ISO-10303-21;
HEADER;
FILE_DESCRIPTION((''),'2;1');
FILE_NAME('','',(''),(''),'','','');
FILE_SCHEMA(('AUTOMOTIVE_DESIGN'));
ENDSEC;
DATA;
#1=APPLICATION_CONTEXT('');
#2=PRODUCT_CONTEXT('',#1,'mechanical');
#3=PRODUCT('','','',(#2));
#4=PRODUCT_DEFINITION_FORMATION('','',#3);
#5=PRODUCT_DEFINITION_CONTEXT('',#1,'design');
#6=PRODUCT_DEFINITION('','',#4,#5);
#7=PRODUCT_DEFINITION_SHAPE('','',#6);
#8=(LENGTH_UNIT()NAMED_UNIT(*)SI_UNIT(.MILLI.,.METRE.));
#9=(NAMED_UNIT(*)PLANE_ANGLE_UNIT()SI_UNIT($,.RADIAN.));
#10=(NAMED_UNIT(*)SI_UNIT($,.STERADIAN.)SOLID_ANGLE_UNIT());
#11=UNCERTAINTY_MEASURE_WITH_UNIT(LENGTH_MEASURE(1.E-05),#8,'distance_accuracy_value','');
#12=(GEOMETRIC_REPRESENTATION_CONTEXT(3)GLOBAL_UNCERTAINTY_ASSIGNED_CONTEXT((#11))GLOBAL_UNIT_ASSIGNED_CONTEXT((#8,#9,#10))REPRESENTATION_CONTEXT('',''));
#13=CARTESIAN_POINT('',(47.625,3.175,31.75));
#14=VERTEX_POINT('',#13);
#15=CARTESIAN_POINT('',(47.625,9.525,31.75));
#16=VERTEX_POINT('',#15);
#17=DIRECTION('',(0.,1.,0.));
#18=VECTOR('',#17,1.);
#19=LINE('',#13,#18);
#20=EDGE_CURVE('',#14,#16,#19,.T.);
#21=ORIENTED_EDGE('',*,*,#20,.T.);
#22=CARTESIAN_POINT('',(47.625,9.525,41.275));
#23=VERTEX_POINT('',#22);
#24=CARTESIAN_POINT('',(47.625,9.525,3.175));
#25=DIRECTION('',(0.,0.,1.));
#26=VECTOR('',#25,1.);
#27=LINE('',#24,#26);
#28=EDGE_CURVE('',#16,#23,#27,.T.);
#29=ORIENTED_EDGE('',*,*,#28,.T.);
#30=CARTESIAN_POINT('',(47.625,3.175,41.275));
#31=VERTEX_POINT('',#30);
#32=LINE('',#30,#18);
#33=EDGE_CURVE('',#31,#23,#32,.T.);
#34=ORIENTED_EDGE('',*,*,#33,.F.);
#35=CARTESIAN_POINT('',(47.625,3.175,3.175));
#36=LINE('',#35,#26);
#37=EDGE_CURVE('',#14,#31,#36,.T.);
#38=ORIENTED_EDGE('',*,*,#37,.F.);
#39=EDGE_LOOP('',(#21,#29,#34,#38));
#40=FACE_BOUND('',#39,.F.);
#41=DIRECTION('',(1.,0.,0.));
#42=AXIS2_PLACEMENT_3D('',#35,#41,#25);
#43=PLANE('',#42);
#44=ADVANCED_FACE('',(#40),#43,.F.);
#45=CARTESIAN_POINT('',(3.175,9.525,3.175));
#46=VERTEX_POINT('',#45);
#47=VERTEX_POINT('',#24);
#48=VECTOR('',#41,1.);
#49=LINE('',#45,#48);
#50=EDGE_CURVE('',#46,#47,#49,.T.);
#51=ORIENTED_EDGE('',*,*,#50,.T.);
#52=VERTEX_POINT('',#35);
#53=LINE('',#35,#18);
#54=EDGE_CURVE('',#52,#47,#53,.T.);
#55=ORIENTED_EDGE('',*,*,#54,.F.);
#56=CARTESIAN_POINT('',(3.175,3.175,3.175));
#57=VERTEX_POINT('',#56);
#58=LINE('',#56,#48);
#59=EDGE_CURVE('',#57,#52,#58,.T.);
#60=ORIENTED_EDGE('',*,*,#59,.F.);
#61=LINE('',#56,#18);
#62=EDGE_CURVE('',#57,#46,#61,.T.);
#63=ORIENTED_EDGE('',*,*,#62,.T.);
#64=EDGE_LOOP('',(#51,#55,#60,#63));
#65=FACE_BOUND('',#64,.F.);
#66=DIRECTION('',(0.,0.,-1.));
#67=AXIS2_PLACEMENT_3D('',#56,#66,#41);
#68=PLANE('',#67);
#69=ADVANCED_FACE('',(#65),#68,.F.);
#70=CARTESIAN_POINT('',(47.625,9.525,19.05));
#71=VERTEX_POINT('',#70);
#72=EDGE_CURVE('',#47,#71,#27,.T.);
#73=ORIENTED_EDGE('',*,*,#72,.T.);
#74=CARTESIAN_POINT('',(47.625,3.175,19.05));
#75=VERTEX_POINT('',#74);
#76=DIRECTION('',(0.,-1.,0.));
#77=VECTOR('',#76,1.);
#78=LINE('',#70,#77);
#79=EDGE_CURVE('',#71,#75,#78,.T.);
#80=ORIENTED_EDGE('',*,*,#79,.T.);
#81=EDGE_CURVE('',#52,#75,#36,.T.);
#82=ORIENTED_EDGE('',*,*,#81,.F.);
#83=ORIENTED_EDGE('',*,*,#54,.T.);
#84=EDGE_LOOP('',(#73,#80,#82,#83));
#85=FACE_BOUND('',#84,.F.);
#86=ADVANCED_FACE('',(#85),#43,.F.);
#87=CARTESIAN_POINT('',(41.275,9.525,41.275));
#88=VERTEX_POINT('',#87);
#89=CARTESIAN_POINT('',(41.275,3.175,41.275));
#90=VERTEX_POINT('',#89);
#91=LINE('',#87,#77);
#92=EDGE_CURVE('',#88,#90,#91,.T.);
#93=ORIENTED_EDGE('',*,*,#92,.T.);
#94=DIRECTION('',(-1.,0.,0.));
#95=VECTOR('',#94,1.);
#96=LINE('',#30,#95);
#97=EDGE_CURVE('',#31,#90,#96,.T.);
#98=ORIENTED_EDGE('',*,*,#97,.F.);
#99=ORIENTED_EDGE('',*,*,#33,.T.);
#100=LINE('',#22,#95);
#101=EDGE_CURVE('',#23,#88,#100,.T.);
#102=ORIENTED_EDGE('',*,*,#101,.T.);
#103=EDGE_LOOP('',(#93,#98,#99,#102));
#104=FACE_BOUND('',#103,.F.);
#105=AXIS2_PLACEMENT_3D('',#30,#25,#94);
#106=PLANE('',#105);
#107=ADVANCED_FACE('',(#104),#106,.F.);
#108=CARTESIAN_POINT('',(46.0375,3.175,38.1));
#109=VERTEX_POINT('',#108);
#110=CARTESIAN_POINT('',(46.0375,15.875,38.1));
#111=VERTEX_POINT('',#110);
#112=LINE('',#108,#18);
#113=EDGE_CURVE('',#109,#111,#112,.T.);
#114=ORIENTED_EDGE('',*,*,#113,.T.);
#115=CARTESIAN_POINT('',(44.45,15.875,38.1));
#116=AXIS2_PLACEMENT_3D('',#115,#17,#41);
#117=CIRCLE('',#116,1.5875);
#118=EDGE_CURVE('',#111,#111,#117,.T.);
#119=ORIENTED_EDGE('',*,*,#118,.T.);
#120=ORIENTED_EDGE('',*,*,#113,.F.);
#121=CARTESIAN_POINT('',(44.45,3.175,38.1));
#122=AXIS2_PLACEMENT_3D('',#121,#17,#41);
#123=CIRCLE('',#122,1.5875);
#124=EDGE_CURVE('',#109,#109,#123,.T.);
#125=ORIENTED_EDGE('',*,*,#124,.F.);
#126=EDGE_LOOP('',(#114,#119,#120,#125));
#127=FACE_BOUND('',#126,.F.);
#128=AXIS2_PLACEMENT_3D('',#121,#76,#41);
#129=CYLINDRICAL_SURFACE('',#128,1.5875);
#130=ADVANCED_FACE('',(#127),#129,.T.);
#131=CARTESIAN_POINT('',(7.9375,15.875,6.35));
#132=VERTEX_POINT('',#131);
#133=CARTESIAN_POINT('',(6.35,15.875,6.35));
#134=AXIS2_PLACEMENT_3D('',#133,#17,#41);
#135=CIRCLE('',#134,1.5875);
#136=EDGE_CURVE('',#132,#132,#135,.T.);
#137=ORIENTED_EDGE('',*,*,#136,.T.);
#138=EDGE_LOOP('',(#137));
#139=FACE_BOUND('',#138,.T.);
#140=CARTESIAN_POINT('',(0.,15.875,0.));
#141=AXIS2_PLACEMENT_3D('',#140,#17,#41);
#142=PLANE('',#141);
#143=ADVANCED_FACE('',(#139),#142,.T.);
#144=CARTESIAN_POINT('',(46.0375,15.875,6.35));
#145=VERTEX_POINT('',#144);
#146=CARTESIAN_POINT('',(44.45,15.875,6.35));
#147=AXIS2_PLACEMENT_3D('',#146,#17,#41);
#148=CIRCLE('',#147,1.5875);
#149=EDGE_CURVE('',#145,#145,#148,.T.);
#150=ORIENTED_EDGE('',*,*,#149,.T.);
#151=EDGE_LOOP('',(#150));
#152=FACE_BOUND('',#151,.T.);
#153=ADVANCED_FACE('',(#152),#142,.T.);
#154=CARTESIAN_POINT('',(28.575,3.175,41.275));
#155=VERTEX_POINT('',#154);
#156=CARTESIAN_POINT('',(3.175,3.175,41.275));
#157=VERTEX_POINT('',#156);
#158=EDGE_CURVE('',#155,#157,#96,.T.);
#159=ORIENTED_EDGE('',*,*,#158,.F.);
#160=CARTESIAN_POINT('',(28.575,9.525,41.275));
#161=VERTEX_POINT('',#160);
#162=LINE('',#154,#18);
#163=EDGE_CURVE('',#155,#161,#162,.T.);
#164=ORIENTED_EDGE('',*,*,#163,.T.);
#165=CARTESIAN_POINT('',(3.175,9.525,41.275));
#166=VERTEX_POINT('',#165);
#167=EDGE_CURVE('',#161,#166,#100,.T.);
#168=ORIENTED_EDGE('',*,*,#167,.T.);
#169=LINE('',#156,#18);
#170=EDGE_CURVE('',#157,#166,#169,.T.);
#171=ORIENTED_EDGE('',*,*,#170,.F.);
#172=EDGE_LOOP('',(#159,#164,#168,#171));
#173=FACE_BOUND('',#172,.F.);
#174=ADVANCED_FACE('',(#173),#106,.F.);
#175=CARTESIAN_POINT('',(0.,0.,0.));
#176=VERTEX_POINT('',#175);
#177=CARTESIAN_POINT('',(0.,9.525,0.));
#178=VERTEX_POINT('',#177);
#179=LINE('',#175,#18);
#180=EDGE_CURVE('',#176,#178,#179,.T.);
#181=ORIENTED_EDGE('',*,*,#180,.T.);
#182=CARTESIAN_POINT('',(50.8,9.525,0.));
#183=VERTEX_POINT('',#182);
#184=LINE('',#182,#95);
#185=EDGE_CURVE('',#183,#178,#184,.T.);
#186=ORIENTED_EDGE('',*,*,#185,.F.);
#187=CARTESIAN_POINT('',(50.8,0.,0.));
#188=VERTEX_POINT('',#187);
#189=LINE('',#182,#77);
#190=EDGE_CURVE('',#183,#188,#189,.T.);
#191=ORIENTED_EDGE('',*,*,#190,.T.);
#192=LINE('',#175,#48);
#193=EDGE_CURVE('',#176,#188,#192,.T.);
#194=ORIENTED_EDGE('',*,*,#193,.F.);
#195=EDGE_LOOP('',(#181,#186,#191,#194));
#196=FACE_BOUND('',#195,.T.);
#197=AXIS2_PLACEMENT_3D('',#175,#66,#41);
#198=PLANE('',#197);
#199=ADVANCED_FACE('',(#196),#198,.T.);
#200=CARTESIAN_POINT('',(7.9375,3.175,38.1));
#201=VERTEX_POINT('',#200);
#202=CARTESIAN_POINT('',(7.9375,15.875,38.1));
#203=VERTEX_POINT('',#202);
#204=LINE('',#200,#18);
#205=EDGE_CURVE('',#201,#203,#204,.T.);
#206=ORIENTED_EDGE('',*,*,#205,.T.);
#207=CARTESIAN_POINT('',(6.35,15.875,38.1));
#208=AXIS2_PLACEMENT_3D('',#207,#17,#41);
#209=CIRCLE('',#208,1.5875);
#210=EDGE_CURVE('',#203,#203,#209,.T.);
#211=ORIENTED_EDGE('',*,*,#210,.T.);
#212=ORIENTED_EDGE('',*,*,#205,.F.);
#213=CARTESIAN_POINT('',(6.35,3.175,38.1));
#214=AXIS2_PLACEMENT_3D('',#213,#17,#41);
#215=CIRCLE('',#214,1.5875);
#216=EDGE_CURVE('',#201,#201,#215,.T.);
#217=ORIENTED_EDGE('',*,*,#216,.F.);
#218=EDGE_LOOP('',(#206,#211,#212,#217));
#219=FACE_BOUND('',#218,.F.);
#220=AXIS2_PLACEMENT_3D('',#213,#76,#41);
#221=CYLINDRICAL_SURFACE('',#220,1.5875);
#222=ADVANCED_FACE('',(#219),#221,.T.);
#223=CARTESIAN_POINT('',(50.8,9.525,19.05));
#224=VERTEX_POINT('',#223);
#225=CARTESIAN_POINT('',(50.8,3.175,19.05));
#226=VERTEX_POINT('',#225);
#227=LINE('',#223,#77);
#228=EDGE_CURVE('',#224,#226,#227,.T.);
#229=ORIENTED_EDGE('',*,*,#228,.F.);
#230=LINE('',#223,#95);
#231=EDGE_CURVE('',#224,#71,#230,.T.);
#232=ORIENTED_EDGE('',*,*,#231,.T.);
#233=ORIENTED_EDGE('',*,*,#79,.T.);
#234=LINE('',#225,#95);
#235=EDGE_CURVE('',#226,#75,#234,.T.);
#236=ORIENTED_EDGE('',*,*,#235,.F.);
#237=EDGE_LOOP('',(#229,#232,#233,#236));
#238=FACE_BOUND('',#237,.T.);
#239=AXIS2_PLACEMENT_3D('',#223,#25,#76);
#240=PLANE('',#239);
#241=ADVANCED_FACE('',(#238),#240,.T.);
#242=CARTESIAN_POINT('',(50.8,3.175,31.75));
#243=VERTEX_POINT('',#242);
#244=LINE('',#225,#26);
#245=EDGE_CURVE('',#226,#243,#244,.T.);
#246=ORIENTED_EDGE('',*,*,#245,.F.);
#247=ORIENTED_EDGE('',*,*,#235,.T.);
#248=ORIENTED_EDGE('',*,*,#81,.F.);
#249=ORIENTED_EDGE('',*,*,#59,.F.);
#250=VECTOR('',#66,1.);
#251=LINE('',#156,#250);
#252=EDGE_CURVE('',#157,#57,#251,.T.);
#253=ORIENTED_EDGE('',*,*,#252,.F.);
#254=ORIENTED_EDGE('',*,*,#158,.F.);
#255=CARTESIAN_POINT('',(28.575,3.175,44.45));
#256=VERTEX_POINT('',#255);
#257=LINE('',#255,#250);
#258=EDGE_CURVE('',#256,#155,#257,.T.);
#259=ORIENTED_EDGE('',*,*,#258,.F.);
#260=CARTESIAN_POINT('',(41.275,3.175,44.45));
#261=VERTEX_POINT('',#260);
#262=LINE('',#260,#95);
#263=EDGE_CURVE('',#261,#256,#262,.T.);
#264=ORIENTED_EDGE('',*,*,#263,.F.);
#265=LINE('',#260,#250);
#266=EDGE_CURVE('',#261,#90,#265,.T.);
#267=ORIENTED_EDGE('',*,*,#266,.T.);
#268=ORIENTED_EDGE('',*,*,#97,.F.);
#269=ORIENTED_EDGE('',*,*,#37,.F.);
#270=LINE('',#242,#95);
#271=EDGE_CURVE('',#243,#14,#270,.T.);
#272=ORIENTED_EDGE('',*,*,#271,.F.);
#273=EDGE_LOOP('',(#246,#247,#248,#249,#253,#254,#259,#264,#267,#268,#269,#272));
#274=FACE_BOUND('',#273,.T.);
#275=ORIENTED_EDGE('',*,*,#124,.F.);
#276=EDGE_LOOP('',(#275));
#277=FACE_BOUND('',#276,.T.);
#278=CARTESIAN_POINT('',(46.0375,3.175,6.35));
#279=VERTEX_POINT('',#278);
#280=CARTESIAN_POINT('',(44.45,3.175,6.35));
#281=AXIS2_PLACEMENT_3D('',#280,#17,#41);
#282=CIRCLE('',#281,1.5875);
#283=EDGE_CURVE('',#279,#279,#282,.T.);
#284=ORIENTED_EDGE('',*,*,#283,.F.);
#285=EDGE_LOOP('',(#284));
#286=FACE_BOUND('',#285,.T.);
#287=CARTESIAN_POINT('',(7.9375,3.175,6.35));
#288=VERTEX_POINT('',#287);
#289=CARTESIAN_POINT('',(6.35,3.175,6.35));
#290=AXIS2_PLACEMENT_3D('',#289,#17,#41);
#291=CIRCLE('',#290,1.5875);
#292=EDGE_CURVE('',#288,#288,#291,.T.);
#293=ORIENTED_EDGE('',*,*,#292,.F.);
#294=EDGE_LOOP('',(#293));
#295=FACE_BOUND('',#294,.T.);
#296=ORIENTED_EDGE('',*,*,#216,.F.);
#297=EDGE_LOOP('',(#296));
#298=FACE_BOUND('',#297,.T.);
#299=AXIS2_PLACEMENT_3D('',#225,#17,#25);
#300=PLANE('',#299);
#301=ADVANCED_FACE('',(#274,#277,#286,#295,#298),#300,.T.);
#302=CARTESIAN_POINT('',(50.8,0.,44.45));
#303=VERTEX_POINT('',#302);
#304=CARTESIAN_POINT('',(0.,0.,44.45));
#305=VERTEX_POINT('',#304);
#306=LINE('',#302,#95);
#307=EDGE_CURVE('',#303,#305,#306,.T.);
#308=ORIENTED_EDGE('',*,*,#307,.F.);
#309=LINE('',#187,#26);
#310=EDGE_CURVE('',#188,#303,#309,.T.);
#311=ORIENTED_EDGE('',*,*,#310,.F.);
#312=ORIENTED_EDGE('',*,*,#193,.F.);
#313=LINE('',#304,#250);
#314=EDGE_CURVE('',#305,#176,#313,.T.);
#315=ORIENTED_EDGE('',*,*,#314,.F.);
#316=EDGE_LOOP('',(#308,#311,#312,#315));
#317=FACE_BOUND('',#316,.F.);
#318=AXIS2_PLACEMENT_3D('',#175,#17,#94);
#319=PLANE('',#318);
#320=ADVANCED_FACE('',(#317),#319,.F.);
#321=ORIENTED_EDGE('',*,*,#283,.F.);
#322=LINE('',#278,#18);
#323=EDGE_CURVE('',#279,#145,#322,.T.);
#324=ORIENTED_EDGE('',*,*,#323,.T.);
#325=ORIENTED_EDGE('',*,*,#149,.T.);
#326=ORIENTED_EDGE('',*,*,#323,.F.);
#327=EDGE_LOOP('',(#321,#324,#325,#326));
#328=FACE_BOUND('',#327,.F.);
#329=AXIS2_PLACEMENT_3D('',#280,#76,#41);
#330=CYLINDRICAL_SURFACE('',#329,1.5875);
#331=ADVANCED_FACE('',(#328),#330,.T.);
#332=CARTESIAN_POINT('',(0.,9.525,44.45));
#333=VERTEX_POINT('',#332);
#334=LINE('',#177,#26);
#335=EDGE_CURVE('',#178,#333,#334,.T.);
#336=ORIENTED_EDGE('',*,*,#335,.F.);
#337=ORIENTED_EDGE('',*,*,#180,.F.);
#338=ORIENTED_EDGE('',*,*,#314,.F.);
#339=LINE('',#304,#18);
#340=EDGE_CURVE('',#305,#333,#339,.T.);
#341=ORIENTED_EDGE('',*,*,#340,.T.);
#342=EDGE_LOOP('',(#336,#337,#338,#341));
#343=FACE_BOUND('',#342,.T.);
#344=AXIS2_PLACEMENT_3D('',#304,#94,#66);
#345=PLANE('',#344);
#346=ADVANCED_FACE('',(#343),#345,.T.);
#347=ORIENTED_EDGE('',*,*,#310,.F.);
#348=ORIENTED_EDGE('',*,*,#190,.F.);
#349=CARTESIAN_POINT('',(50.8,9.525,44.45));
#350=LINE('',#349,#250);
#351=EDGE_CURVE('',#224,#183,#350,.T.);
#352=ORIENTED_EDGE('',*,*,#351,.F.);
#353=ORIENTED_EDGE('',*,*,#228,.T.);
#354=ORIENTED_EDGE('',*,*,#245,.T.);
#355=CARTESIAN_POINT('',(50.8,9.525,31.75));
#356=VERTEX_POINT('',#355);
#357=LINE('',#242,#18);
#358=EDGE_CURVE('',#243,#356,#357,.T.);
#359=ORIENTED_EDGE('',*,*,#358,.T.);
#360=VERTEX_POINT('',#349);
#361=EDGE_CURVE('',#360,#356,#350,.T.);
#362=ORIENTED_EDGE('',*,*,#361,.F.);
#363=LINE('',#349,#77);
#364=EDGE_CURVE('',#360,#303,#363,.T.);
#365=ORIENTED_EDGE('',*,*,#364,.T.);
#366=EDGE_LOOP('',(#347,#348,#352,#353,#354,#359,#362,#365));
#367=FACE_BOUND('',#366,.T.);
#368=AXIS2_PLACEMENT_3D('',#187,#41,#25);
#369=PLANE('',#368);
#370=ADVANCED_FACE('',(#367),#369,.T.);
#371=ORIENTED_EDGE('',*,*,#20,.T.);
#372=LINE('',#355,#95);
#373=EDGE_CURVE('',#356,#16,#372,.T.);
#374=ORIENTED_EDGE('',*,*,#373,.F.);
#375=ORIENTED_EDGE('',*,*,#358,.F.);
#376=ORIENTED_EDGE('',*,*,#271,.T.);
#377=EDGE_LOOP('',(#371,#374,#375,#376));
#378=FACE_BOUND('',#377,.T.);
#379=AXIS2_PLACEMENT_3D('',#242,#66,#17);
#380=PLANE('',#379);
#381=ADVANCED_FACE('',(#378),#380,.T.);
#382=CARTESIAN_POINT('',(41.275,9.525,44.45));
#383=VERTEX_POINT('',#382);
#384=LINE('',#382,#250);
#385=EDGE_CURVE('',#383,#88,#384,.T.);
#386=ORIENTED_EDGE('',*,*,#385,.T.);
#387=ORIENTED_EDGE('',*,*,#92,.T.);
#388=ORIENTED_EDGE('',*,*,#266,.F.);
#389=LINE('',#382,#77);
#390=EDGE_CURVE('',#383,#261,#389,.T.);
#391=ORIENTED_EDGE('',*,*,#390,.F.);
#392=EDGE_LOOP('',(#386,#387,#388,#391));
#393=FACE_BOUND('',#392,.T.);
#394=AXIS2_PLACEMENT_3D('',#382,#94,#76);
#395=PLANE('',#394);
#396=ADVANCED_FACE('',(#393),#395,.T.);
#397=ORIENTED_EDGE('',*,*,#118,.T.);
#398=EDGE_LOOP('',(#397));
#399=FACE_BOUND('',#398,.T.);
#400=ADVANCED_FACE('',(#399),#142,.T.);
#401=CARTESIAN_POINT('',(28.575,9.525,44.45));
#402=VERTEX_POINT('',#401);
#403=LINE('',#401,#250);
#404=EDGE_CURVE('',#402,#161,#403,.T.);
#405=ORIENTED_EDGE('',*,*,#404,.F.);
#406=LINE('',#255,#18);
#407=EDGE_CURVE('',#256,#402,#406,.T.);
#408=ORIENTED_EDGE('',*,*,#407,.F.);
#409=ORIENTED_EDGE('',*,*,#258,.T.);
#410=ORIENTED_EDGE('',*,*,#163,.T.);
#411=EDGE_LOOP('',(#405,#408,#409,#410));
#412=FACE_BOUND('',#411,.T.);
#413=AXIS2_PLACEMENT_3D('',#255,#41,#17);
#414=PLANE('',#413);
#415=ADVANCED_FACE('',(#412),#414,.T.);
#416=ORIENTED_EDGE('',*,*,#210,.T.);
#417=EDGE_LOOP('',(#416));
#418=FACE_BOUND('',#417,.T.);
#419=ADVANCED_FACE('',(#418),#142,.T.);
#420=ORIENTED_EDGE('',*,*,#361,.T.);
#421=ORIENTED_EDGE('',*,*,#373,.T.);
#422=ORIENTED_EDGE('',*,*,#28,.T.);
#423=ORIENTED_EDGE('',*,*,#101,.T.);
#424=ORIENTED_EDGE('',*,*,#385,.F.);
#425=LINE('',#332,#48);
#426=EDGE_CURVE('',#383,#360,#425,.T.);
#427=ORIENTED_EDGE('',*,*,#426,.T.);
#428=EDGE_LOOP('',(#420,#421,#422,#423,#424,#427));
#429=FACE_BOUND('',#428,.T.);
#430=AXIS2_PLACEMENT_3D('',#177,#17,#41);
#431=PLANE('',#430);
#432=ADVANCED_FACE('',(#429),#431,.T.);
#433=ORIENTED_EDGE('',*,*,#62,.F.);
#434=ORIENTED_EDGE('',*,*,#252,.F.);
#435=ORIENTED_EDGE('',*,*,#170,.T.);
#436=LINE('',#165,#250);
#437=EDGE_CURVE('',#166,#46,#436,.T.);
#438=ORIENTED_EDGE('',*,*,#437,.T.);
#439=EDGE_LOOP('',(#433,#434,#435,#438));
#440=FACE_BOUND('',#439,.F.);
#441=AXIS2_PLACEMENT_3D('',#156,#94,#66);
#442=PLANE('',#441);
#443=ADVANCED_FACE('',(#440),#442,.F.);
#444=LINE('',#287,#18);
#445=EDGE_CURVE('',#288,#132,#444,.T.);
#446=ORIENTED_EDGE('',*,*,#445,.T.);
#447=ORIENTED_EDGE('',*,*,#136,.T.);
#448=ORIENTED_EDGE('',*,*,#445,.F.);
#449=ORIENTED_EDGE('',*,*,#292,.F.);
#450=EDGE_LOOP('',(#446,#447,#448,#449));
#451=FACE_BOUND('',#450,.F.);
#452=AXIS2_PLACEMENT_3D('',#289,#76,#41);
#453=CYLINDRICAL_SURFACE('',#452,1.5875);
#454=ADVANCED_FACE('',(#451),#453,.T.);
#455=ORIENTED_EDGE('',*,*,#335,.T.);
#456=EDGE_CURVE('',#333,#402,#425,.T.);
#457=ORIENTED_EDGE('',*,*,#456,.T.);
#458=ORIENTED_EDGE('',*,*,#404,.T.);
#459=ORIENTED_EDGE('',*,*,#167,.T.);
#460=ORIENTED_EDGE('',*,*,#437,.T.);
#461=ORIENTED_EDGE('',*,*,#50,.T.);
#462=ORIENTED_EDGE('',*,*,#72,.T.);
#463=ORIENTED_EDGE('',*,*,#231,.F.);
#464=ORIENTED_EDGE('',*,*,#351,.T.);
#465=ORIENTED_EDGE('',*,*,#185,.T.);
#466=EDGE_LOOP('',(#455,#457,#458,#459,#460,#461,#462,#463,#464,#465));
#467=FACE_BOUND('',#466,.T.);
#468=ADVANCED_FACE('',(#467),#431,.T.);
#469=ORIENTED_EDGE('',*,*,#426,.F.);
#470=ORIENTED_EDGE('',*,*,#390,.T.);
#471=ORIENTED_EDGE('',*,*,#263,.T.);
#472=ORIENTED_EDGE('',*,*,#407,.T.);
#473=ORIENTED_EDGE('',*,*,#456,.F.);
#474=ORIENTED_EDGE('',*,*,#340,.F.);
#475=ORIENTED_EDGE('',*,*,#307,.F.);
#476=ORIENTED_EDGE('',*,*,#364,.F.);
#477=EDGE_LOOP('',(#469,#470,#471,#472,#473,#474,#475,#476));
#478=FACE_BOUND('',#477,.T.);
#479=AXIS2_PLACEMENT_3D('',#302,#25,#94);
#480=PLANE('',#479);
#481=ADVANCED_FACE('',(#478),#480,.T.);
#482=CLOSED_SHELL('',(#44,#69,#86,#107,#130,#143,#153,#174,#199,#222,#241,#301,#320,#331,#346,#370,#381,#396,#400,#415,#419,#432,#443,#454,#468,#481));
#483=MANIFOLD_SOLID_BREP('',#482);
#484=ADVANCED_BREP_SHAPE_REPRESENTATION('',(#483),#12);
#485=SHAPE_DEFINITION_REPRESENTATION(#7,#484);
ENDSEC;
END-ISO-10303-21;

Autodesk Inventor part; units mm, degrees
ref_plane "YZ Plane" through (0, 0, 0) normal (1, 0, 0) x (0, 1, 0)
ref_plane "XZ Plane" through (0, 0, 0) normal (0, 1, 0) x (-1, 0, 0)
ref_plane "XY Plane" through (0, 0, 0) normal (0, 0, 1) x (1, 0, 0)
sketch "Sketch1" plane through (0, 0, 0) normal (0, 1, 0) x (-1, 0, 0)
  line L0 (0, 0) -> (-50.8, 0)
  line L1 (-50.8, 0) -> (-50.8, 44.45)
  line L2 (-50.8, 44.45) -> (0, 44.45)
  line L3 (0, 44.45) -> (0, 0)
  dimension "d0" = 44.45
  dimension "d1" = 50.8
extrude "Extrusion1" add sketch "Sketch1" along normal blind 3.175
sketch "Sketch2" plane through (0, 3.175, 0) normal (0, 1, 0) x (1, 0, 0)
  line L0 (50.8, 0) -> (0, 0) projected
  line L1 (0, 0) -> (0, -44.45) projected
  line L2 (0, -44.45) -> (50.8, -44.45) projected
  line L3 (50.8, -44.45) -> (50.8, 0) projected
  line L4 (3.175, -3.175) -> (47.625, -3.175)
  line L5 (47.625, -3.175) -> (47.625, -41.275)
  line L6 (47.625, -41.275) -> (3.175, -41.275)
  line L7 (3.175, -41.275) -> (3.175, -3.175)
  dimension "d4" = 3.175
  dimension "d5" = 3.175
  dimension "d6" = 3.175
  dimension "d7" = 3.175
extrude "Extrusion2" add sketch "Sketch2" along normal blind 6.35
sketch "Sketch3" plane through (0, 3.175, 0) normal (0, 1, 0) x (1, 0, 0)
  line L0 (47.625, -41.275) -> (47.625, -3.175) projected
  line L1 (47.625, -3.175) -> (3.175, -3.175) projected
  line L2 (3.175, -3.175) -> (3.175, -41.275) projected
  line L3 (3.175, -41.275) -> (47.625, -41.275) projected
  circle A0 centre (6.35, -38.1) radius 1.5875
  circle A1 centre (6.35, -6.35) radius 1.5875
  circle A2 centre (44.45, -6.35) radius 1.5875
  circle A3 centre (44.45, -38.1) radius 1.5875
  point P0 (0, 0)
  dimension "d10" = 3.175
  dimension "d11" = 3.175
  dimension "d12" = 3.175
  dimension "d13" = 3.175
  dimension "d14" = 3.175
  dimension "d15" = 3.175
  dimension "d16" = 3.175
  dimension "d17" = 3.175
  dimension "d18" = 3.175
  dimension "d19" = 3.175
  dimension "d20" = 3.175
  dimension "d21" = 3.175
extrude "Extrusion3" add sketch "Sketch3" along normal blind 12.7 contours A0 | A1 | A2 | A3
sketch "Sketch4" plane through (0, 0, 44.45) normal (0, 0, 1) x (1, 0, 0)
  line L0 (0, 9.525) -> (50.8, 9.525) projected
  line L1 (0, 0) -> (0, 9.525) projected
  line L2 (28.575, 9.525) -> (41.275, 9.525)
  line L3 (41.275, 9.525) -> (41.275, 3.175)
  line L4 (41.275, 3.175) -> (28.575, 3.175)
  line L5 (28.575, 3.175) -> (28.575, 9.525)
  dimension "d24" = 6.35
  dimension "d25" = 28.575
  dimension "d27" = 41.275
extrude "Extrusion4" cut sketch "Sketch4" against normal blind 3.175
sketch "Sketch5" plane through (50.8, 0, 44.45) normal (1, 0, 0) x (0, 0, -1)
  line L0 (0, 9.525) -> (44.45, 9.525) projected
  line L1 (0, 0) -> (0, 9.525) projected
  line L2 (12.7, 9.525) -> (25.4, 9.525)
  line L3 (25.4, 9.525) -> (25.4, 3.175)
  line L4 (25.4, 3.175) -> (12.7, 3.175)
  line L5 (12.7, 3.175) -> (12.7, 9.525)
  dimension "d30" = 12.7
  dimension "d31" = 25.4
  dimension "d32" = 6.35
extrude "Extrusion5" cut sketch "Sketch5" against normal blind 3.175
sketch "Sketch6" plane through (0, 3.175, 0) normal (0, 1, 0) x (1, 0, 0)
  circle A0 centre (44.45, -6.35) radius 1.5875 projected
  circle A1 centre (6.35, -38.1) radius 1.5875 projected
  circle A2 centre (6.35, -6.35) radius 1.5875 projected
  circle A3 centre (44.45, -38.1) radius 1.5875 projected
  line L0 (47.625, -41.275) -> (47.625, -31.75) projected
  line L1 (50.8, -31.75) -> (47.625, -31.75) projected
  line L2 (50.8, -19.05) -> (50.8, -31.75) projected
  line L3 (50.8, -19.05) -> (47.625, -19.05) projected
  line L4 (47.625, -19.05) -> (47.625, -3.175) projected
  line L5 (47.625, -3.175) -> (3.175, -3.175) projected
  line L6 (3.175, -3.175) -> (3.175, -41.275) projected
  line L7 (3.175, -41.275) -> (28.575, -41.275) projected
  line L8 (28.575, -44.45) -> (28.575, -41.275) projected
  line L9 (41.275, -44.45) -> (28.575, -44.45) projected
  line L10 (41.275, -44.45) -> (41.275, -41.275) projected
  line L11 (41.275, -41.275) -> (47.625, -41.275) projected
  point P0 (0, 0)
properties part number "Casing Bottom"
